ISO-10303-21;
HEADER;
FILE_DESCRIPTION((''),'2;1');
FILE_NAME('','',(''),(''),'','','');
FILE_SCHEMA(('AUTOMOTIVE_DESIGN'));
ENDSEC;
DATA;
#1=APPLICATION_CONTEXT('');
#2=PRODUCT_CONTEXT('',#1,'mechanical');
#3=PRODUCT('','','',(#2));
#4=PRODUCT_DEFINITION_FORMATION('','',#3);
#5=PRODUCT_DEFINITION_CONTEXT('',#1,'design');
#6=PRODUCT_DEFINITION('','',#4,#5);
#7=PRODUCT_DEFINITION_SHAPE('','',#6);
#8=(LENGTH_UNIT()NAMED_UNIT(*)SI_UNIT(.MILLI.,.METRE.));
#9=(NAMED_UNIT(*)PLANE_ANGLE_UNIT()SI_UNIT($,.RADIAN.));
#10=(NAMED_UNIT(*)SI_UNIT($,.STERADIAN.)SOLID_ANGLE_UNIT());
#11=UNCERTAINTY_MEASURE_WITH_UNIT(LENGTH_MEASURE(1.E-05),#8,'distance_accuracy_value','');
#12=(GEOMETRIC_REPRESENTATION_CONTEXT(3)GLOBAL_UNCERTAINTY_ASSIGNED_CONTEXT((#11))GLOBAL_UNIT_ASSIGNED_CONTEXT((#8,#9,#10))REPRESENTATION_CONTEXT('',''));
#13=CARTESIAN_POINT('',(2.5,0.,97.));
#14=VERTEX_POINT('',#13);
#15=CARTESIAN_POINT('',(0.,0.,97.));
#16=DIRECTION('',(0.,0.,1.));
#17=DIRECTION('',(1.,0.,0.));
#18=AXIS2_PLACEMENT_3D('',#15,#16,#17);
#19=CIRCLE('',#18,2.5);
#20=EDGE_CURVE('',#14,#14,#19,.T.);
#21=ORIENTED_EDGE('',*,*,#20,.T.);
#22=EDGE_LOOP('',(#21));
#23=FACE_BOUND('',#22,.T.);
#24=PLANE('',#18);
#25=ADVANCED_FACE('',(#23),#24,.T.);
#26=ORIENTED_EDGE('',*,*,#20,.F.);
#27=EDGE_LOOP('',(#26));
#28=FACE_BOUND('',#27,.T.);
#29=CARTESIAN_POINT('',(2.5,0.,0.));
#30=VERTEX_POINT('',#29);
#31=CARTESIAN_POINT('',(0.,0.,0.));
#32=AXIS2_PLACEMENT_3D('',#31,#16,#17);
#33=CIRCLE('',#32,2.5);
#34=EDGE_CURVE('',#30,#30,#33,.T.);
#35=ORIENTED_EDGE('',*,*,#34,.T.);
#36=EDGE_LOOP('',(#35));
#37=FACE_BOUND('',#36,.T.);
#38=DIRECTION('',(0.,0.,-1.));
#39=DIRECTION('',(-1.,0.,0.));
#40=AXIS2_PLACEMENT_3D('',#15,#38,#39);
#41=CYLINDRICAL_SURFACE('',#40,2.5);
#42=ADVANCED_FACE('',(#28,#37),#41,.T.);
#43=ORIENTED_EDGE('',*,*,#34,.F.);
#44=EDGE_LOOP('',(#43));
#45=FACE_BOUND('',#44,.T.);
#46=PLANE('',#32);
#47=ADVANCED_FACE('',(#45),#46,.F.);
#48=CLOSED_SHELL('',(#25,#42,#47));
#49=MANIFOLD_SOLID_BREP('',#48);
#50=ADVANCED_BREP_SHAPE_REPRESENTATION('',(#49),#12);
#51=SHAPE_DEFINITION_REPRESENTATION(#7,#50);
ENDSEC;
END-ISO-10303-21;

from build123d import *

# Parameters (mm, degrees)
SKETCH1_R           = 2.5
BOSS_EXTRUDE1_DEPTH = 97


with BuildPart() as part:
    # Sketch1 → Boss-Extrude1 (new body)
    with BuildSketch(Plane.XY):
        Circle(SKETCH1_R)
    extrude(amount=BOSS_EXTRUDE1_DEPTH)


solid = part.part
